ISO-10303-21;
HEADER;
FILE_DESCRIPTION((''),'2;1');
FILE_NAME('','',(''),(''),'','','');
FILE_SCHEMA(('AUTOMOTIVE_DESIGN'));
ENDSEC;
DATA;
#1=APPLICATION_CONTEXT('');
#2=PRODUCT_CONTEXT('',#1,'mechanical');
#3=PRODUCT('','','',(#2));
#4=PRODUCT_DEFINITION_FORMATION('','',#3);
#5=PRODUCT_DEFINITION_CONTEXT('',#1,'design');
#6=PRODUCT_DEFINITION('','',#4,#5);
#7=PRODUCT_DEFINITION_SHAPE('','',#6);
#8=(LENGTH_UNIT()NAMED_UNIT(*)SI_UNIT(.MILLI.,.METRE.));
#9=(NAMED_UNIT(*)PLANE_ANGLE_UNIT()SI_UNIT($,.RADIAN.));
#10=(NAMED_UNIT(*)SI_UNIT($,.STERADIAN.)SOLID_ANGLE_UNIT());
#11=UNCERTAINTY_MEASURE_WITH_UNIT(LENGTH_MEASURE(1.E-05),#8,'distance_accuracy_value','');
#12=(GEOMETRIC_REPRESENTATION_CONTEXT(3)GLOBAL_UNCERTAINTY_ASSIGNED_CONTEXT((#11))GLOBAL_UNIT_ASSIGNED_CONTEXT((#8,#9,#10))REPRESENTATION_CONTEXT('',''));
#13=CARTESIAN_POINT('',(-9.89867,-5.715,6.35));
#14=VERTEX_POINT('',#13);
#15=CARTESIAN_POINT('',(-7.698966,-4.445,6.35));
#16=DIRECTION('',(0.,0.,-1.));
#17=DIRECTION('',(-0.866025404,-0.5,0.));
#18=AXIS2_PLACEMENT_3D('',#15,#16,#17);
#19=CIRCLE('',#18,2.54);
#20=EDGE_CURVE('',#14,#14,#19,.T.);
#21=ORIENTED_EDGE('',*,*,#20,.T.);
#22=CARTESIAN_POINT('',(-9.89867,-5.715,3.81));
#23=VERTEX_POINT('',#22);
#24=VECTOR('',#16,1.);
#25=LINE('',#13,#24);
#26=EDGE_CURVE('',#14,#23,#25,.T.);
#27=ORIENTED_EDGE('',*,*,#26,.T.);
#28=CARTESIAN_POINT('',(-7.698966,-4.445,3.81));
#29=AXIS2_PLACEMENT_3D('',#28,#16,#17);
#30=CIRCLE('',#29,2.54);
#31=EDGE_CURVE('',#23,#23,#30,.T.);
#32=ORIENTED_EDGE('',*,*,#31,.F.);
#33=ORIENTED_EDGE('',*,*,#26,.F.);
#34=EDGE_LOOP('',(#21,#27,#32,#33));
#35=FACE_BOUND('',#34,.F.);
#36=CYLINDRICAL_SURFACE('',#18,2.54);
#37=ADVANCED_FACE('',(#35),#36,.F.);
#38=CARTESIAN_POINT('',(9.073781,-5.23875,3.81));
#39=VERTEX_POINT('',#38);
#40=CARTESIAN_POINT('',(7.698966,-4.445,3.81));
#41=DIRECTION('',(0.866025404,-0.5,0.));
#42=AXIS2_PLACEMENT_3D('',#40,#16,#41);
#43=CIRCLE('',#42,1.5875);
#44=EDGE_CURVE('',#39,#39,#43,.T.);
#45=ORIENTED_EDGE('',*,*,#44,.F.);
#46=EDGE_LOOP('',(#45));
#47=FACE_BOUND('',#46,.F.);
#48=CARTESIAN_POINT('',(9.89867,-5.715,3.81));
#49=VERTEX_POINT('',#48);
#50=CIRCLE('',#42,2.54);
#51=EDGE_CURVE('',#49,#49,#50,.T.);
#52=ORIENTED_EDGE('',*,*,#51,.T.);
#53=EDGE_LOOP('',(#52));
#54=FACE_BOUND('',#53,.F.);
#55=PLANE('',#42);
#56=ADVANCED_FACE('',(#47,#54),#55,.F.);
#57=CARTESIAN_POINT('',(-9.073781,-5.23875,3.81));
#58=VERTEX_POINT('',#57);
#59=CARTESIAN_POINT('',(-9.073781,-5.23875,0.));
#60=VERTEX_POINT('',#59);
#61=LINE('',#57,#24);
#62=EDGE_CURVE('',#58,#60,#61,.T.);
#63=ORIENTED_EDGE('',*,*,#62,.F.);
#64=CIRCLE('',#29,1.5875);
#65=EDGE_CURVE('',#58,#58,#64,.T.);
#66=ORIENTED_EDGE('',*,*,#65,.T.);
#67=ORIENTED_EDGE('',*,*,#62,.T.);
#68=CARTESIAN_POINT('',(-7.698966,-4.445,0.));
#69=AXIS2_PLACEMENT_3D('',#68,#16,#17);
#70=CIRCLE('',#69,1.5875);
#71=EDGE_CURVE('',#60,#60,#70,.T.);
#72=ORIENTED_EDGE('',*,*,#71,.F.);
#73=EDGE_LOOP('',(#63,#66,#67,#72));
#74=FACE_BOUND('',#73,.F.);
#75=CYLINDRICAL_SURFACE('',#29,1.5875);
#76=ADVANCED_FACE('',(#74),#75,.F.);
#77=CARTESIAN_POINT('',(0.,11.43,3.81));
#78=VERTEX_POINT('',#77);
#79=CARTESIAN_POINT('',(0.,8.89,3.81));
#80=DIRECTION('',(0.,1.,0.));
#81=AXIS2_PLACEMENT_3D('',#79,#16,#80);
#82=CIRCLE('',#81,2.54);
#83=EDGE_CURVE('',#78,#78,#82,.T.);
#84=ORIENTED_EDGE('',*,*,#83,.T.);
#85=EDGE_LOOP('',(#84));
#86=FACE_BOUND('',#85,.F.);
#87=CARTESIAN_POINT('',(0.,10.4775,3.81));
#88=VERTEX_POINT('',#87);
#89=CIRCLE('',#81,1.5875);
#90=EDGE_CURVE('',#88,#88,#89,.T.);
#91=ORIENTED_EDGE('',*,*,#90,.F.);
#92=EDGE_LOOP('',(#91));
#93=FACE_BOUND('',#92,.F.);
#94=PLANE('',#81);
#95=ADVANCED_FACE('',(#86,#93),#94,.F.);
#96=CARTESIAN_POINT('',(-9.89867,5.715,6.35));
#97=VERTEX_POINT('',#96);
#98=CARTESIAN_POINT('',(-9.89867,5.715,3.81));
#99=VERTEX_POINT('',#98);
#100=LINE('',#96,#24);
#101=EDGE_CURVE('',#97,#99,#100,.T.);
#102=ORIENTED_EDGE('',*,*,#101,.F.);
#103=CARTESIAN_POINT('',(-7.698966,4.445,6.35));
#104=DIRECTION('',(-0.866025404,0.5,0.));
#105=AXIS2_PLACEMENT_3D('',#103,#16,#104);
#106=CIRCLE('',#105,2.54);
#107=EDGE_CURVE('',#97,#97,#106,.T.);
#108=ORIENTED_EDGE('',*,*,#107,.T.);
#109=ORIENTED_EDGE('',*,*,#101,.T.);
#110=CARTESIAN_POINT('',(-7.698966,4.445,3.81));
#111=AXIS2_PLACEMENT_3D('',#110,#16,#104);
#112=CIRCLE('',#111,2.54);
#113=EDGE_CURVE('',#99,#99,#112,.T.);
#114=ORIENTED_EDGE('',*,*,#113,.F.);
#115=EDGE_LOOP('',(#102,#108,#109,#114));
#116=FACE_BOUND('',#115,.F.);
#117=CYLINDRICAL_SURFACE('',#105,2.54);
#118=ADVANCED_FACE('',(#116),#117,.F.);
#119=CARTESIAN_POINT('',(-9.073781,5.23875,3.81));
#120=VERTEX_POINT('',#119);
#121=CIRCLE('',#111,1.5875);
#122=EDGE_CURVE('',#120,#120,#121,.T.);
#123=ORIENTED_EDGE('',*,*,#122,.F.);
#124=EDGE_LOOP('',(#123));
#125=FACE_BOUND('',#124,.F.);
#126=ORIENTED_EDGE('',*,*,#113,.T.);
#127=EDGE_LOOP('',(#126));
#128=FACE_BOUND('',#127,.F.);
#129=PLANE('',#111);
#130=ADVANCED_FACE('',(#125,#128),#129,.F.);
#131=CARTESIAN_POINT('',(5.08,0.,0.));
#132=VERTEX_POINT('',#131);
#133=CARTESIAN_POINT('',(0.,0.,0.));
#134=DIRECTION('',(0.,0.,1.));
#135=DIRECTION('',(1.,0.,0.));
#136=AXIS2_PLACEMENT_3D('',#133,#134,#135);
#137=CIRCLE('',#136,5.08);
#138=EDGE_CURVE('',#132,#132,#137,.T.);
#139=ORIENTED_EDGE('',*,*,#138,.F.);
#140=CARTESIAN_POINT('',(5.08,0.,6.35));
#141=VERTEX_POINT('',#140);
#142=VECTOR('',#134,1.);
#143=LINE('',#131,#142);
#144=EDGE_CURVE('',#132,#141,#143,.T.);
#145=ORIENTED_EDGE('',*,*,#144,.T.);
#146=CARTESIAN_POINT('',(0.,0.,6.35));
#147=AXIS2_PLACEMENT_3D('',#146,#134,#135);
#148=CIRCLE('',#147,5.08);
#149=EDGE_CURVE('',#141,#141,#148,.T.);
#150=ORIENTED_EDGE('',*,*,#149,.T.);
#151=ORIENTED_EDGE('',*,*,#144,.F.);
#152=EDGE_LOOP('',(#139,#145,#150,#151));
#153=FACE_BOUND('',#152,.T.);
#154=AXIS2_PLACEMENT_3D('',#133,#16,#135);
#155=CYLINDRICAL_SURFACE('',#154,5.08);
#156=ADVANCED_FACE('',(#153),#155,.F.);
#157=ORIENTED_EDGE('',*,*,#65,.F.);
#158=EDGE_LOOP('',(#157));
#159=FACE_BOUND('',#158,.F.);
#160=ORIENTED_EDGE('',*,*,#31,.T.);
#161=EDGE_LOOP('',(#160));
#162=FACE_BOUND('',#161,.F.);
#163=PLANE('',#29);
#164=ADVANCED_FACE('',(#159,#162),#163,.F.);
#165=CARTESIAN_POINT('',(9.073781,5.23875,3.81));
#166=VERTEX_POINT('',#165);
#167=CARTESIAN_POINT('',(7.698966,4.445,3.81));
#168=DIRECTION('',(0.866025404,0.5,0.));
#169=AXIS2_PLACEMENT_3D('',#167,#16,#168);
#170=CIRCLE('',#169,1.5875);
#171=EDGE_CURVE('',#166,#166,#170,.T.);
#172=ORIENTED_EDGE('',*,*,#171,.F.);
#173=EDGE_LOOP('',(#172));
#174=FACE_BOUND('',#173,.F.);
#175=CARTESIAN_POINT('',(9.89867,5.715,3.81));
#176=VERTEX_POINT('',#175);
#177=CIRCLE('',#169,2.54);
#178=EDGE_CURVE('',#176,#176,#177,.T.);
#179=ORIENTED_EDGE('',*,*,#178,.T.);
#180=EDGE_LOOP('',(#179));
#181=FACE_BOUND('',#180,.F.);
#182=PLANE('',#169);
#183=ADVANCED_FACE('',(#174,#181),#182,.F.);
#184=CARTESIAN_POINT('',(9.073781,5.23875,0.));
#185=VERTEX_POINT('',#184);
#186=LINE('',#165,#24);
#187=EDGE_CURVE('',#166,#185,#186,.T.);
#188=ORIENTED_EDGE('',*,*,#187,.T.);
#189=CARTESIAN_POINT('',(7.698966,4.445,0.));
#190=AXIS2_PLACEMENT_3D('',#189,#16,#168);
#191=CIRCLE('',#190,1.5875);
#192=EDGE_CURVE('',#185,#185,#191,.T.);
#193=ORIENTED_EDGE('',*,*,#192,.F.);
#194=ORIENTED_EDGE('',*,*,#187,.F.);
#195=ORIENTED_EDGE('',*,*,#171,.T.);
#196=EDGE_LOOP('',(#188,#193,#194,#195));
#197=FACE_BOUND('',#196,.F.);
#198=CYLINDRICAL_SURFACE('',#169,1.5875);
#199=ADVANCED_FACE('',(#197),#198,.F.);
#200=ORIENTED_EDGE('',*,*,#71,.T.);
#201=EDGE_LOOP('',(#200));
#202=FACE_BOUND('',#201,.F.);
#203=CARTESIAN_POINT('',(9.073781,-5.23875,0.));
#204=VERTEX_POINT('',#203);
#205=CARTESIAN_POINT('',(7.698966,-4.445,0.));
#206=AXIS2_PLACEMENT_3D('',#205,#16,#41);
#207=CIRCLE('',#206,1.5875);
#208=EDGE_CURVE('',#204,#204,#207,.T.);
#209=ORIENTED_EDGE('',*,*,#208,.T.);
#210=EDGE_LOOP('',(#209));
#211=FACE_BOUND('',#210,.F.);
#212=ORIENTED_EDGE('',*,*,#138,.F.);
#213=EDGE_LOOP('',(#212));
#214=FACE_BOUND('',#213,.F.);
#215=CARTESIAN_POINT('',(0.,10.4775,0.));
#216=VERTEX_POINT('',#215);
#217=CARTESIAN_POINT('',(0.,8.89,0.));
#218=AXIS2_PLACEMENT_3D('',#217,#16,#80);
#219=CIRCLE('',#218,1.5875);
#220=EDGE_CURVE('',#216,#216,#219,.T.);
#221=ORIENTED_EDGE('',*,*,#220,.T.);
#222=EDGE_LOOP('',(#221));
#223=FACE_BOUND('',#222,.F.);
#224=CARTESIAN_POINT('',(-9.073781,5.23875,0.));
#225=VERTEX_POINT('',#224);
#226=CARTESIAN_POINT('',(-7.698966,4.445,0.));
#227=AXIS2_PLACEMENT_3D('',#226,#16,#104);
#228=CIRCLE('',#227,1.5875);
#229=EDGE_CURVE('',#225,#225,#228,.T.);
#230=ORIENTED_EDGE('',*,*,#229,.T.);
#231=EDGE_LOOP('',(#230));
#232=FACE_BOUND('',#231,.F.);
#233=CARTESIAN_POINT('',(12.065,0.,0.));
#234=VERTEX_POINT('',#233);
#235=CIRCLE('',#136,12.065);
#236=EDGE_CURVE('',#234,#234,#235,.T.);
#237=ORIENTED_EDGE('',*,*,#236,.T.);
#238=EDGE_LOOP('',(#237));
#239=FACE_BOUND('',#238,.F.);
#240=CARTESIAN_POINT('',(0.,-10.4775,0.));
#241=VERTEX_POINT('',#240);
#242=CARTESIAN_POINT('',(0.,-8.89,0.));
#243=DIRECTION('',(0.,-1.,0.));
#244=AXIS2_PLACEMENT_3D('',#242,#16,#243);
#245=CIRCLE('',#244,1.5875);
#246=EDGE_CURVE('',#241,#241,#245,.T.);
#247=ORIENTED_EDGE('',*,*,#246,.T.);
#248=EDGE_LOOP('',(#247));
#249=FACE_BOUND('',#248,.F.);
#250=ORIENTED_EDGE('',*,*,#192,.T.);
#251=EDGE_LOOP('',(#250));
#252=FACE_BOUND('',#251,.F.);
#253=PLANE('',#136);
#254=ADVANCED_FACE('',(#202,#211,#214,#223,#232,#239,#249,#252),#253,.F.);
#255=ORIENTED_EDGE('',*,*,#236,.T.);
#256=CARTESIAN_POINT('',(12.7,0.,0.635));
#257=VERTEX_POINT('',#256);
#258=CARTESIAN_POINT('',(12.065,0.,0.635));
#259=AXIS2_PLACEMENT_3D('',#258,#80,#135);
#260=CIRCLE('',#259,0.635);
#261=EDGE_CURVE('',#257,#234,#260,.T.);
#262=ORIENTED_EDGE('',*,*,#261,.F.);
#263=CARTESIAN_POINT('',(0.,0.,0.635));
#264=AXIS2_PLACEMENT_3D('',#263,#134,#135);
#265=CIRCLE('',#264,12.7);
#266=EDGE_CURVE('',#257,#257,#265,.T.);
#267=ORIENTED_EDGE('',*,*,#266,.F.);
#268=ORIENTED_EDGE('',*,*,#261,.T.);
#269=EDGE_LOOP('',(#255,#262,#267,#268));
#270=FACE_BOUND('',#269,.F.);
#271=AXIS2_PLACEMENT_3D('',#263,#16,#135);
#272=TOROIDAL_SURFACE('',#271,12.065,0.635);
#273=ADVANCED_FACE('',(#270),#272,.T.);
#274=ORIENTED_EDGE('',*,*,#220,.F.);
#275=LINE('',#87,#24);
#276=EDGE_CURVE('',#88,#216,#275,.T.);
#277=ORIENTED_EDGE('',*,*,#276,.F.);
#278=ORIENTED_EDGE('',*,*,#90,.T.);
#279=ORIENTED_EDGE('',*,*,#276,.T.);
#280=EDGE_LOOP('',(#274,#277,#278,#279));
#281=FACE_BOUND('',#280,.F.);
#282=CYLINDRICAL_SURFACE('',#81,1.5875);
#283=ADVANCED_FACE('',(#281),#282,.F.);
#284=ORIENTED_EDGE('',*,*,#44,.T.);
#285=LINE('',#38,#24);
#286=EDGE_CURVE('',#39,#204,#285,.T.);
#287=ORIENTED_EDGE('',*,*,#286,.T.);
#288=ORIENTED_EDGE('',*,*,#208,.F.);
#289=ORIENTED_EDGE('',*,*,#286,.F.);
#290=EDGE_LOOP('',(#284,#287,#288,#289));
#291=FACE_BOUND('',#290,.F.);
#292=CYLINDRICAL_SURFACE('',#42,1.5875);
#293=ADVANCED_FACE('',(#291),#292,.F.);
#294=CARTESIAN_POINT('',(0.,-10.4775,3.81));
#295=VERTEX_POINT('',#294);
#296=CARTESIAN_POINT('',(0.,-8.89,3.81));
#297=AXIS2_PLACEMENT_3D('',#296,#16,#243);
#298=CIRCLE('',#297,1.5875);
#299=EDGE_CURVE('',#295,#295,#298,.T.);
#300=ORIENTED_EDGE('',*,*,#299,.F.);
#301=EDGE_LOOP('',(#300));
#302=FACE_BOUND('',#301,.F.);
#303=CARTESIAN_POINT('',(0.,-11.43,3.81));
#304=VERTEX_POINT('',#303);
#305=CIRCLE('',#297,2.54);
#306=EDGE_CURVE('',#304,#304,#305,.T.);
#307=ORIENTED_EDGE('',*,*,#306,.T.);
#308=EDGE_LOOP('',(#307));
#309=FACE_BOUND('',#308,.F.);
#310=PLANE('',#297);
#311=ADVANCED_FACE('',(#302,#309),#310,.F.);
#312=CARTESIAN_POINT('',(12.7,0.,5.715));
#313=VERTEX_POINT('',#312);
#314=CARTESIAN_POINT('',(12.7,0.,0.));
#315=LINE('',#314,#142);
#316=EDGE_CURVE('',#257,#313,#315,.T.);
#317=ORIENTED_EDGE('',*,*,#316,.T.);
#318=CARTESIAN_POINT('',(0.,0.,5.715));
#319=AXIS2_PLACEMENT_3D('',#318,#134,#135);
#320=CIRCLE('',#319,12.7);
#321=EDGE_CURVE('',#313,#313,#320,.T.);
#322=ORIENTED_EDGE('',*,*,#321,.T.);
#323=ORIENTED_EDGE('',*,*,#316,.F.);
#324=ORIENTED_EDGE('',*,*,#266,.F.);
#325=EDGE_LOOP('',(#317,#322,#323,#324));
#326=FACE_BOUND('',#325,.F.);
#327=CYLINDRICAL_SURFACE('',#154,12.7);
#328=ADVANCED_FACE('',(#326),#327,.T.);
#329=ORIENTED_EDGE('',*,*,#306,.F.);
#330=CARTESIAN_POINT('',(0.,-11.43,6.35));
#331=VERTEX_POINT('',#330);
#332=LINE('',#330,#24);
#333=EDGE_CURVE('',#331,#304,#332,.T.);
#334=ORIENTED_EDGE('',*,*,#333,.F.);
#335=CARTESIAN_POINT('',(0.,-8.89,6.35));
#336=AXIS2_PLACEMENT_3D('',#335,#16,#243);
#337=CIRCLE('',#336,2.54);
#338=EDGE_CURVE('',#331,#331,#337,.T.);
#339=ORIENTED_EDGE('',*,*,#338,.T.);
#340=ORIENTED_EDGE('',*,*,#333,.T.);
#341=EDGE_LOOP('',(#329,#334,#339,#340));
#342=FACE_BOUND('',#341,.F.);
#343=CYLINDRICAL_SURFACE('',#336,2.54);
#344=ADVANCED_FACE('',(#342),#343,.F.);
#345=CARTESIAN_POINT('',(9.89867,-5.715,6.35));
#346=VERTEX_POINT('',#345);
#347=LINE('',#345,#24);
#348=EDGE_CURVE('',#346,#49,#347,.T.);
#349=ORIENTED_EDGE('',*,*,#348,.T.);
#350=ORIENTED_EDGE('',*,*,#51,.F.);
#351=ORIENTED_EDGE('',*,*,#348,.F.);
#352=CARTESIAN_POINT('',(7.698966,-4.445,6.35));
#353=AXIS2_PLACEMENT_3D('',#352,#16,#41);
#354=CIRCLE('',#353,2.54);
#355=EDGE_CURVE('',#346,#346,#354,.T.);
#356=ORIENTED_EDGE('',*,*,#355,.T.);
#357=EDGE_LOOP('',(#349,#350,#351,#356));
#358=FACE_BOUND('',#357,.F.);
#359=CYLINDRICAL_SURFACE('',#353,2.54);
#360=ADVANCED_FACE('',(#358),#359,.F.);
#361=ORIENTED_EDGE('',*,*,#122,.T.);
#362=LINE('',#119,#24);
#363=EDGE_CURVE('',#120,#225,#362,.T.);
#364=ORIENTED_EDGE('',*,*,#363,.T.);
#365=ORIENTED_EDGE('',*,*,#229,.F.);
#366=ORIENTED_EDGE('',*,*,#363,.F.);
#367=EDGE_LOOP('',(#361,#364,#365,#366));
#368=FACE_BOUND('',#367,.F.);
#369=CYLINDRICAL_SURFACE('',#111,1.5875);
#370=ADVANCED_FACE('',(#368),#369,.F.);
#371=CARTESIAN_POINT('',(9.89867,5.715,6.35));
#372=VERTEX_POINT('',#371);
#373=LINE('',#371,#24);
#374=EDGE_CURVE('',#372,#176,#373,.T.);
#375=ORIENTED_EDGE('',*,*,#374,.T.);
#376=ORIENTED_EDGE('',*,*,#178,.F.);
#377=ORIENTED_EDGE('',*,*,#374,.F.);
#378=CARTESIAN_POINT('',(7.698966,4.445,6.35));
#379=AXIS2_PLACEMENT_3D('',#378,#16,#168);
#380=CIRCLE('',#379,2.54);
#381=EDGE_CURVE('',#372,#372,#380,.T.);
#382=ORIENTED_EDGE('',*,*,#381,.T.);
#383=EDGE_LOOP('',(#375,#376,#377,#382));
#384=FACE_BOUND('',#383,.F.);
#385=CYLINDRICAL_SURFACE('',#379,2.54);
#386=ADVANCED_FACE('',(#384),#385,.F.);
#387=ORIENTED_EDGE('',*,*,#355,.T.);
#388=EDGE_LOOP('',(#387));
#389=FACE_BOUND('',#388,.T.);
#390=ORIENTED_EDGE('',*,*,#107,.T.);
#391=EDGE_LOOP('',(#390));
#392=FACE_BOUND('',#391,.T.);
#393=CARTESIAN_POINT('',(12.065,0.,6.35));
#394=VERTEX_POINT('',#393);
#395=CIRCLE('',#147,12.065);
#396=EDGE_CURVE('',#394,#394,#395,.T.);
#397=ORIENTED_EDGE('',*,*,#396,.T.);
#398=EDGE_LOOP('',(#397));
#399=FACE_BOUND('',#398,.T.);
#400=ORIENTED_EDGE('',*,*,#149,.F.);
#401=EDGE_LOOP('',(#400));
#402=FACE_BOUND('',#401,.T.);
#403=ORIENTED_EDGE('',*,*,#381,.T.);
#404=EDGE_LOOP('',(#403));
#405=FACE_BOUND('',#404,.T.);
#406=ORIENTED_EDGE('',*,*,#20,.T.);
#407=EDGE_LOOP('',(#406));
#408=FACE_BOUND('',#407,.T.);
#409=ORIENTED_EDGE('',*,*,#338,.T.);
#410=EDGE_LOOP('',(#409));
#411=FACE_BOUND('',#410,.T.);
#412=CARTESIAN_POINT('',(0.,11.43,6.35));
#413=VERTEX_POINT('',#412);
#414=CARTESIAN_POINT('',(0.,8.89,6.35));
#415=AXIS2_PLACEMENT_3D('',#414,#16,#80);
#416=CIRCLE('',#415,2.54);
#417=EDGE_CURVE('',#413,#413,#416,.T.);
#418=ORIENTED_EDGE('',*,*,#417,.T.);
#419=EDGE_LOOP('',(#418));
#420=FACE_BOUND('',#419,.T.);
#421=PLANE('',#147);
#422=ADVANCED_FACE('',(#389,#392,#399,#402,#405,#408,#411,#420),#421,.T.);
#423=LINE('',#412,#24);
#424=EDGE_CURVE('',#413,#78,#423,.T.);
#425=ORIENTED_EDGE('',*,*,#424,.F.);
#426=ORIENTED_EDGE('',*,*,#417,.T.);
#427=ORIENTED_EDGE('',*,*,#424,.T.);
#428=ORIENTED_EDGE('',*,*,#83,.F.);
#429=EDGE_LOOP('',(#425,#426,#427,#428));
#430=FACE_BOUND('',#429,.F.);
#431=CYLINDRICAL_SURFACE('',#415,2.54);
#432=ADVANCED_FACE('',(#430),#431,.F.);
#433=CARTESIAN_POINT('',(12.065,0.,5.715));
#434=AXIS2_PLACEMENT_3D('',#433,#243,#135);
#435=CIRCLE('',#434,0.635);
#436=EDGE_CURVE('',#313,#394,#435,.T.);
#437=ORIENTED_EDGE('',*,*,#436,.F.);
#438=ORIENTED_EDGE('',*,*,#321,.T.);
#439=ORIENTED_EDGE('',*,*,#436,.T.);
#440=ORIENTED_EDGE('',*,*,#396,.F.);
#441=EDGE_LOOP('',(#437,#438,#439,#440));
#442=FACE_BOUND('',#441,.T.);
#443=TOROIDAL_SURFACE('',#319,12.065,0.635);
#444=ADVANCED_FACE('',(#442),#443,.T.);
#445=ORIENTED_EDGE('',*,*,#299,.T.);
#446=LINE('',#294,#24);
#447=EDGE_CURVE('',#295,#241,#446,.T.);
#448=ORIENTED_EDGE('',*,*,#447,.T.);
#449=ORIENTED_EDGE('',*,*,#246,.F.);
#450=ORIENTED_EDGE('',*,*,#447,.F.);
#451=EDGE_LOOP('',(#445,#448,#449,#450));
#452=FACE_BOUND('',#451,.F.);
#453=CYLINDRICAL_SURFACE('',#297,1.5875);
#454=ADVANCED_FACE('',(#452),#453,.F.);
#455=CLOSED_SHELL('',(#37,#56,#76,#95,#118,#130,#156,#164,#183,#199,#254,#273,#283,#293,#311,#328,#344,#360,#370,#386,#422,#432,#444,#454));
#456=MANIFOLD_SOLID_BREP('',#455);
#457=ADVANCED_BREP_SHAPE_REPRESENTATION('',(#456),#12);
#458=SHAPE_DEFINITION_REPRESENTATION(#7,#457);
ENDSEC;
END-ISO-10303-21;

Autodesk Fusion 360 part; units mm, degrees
sketch "Sketch1" plane through (0, 0, 0) normal (0, 0, 1) x (1, 0, 0)
  circle A0 centre (0, 0) radius 12.7
  circle A1 centre (0, 0) radius 5.08
  dimension "d1" = 25.4
  dimension "d3" = 10.16
extrude "Extrude1" add sketch "Sketch1" along normal blind 6.35
sketch "Sketch3" plane through (0, 0, 6.35) normal (0, 0, 1) x (-1, 0, 0)
  circle A0 centre (0, 0) radius 5.08
  circle A1 centre (0, 0) radius 12.7
  line L0 (0, 5.08) -> (0, 12.7)
  circle A2 centre (0, 0) radius 8.89
  point P0 (0, 8.89)
hole "Hole1" at (0, -8.89, 6.35) direction (0, 0, -1) diameter 3.175 depth 6.35 tip angle 180 counterbore diameter 5.08 counterbore depth 2.54
pattern_circular "C-Pattern1" count 6 over 360 about axis through (0, 0, 0) along (0, 0, 1) of "Hole1"
fillet "Fillet1" radius 0.635 2 edges at (-11.8406, -4.5925, 6.35) (-11.8406, -4.5925, 0)
